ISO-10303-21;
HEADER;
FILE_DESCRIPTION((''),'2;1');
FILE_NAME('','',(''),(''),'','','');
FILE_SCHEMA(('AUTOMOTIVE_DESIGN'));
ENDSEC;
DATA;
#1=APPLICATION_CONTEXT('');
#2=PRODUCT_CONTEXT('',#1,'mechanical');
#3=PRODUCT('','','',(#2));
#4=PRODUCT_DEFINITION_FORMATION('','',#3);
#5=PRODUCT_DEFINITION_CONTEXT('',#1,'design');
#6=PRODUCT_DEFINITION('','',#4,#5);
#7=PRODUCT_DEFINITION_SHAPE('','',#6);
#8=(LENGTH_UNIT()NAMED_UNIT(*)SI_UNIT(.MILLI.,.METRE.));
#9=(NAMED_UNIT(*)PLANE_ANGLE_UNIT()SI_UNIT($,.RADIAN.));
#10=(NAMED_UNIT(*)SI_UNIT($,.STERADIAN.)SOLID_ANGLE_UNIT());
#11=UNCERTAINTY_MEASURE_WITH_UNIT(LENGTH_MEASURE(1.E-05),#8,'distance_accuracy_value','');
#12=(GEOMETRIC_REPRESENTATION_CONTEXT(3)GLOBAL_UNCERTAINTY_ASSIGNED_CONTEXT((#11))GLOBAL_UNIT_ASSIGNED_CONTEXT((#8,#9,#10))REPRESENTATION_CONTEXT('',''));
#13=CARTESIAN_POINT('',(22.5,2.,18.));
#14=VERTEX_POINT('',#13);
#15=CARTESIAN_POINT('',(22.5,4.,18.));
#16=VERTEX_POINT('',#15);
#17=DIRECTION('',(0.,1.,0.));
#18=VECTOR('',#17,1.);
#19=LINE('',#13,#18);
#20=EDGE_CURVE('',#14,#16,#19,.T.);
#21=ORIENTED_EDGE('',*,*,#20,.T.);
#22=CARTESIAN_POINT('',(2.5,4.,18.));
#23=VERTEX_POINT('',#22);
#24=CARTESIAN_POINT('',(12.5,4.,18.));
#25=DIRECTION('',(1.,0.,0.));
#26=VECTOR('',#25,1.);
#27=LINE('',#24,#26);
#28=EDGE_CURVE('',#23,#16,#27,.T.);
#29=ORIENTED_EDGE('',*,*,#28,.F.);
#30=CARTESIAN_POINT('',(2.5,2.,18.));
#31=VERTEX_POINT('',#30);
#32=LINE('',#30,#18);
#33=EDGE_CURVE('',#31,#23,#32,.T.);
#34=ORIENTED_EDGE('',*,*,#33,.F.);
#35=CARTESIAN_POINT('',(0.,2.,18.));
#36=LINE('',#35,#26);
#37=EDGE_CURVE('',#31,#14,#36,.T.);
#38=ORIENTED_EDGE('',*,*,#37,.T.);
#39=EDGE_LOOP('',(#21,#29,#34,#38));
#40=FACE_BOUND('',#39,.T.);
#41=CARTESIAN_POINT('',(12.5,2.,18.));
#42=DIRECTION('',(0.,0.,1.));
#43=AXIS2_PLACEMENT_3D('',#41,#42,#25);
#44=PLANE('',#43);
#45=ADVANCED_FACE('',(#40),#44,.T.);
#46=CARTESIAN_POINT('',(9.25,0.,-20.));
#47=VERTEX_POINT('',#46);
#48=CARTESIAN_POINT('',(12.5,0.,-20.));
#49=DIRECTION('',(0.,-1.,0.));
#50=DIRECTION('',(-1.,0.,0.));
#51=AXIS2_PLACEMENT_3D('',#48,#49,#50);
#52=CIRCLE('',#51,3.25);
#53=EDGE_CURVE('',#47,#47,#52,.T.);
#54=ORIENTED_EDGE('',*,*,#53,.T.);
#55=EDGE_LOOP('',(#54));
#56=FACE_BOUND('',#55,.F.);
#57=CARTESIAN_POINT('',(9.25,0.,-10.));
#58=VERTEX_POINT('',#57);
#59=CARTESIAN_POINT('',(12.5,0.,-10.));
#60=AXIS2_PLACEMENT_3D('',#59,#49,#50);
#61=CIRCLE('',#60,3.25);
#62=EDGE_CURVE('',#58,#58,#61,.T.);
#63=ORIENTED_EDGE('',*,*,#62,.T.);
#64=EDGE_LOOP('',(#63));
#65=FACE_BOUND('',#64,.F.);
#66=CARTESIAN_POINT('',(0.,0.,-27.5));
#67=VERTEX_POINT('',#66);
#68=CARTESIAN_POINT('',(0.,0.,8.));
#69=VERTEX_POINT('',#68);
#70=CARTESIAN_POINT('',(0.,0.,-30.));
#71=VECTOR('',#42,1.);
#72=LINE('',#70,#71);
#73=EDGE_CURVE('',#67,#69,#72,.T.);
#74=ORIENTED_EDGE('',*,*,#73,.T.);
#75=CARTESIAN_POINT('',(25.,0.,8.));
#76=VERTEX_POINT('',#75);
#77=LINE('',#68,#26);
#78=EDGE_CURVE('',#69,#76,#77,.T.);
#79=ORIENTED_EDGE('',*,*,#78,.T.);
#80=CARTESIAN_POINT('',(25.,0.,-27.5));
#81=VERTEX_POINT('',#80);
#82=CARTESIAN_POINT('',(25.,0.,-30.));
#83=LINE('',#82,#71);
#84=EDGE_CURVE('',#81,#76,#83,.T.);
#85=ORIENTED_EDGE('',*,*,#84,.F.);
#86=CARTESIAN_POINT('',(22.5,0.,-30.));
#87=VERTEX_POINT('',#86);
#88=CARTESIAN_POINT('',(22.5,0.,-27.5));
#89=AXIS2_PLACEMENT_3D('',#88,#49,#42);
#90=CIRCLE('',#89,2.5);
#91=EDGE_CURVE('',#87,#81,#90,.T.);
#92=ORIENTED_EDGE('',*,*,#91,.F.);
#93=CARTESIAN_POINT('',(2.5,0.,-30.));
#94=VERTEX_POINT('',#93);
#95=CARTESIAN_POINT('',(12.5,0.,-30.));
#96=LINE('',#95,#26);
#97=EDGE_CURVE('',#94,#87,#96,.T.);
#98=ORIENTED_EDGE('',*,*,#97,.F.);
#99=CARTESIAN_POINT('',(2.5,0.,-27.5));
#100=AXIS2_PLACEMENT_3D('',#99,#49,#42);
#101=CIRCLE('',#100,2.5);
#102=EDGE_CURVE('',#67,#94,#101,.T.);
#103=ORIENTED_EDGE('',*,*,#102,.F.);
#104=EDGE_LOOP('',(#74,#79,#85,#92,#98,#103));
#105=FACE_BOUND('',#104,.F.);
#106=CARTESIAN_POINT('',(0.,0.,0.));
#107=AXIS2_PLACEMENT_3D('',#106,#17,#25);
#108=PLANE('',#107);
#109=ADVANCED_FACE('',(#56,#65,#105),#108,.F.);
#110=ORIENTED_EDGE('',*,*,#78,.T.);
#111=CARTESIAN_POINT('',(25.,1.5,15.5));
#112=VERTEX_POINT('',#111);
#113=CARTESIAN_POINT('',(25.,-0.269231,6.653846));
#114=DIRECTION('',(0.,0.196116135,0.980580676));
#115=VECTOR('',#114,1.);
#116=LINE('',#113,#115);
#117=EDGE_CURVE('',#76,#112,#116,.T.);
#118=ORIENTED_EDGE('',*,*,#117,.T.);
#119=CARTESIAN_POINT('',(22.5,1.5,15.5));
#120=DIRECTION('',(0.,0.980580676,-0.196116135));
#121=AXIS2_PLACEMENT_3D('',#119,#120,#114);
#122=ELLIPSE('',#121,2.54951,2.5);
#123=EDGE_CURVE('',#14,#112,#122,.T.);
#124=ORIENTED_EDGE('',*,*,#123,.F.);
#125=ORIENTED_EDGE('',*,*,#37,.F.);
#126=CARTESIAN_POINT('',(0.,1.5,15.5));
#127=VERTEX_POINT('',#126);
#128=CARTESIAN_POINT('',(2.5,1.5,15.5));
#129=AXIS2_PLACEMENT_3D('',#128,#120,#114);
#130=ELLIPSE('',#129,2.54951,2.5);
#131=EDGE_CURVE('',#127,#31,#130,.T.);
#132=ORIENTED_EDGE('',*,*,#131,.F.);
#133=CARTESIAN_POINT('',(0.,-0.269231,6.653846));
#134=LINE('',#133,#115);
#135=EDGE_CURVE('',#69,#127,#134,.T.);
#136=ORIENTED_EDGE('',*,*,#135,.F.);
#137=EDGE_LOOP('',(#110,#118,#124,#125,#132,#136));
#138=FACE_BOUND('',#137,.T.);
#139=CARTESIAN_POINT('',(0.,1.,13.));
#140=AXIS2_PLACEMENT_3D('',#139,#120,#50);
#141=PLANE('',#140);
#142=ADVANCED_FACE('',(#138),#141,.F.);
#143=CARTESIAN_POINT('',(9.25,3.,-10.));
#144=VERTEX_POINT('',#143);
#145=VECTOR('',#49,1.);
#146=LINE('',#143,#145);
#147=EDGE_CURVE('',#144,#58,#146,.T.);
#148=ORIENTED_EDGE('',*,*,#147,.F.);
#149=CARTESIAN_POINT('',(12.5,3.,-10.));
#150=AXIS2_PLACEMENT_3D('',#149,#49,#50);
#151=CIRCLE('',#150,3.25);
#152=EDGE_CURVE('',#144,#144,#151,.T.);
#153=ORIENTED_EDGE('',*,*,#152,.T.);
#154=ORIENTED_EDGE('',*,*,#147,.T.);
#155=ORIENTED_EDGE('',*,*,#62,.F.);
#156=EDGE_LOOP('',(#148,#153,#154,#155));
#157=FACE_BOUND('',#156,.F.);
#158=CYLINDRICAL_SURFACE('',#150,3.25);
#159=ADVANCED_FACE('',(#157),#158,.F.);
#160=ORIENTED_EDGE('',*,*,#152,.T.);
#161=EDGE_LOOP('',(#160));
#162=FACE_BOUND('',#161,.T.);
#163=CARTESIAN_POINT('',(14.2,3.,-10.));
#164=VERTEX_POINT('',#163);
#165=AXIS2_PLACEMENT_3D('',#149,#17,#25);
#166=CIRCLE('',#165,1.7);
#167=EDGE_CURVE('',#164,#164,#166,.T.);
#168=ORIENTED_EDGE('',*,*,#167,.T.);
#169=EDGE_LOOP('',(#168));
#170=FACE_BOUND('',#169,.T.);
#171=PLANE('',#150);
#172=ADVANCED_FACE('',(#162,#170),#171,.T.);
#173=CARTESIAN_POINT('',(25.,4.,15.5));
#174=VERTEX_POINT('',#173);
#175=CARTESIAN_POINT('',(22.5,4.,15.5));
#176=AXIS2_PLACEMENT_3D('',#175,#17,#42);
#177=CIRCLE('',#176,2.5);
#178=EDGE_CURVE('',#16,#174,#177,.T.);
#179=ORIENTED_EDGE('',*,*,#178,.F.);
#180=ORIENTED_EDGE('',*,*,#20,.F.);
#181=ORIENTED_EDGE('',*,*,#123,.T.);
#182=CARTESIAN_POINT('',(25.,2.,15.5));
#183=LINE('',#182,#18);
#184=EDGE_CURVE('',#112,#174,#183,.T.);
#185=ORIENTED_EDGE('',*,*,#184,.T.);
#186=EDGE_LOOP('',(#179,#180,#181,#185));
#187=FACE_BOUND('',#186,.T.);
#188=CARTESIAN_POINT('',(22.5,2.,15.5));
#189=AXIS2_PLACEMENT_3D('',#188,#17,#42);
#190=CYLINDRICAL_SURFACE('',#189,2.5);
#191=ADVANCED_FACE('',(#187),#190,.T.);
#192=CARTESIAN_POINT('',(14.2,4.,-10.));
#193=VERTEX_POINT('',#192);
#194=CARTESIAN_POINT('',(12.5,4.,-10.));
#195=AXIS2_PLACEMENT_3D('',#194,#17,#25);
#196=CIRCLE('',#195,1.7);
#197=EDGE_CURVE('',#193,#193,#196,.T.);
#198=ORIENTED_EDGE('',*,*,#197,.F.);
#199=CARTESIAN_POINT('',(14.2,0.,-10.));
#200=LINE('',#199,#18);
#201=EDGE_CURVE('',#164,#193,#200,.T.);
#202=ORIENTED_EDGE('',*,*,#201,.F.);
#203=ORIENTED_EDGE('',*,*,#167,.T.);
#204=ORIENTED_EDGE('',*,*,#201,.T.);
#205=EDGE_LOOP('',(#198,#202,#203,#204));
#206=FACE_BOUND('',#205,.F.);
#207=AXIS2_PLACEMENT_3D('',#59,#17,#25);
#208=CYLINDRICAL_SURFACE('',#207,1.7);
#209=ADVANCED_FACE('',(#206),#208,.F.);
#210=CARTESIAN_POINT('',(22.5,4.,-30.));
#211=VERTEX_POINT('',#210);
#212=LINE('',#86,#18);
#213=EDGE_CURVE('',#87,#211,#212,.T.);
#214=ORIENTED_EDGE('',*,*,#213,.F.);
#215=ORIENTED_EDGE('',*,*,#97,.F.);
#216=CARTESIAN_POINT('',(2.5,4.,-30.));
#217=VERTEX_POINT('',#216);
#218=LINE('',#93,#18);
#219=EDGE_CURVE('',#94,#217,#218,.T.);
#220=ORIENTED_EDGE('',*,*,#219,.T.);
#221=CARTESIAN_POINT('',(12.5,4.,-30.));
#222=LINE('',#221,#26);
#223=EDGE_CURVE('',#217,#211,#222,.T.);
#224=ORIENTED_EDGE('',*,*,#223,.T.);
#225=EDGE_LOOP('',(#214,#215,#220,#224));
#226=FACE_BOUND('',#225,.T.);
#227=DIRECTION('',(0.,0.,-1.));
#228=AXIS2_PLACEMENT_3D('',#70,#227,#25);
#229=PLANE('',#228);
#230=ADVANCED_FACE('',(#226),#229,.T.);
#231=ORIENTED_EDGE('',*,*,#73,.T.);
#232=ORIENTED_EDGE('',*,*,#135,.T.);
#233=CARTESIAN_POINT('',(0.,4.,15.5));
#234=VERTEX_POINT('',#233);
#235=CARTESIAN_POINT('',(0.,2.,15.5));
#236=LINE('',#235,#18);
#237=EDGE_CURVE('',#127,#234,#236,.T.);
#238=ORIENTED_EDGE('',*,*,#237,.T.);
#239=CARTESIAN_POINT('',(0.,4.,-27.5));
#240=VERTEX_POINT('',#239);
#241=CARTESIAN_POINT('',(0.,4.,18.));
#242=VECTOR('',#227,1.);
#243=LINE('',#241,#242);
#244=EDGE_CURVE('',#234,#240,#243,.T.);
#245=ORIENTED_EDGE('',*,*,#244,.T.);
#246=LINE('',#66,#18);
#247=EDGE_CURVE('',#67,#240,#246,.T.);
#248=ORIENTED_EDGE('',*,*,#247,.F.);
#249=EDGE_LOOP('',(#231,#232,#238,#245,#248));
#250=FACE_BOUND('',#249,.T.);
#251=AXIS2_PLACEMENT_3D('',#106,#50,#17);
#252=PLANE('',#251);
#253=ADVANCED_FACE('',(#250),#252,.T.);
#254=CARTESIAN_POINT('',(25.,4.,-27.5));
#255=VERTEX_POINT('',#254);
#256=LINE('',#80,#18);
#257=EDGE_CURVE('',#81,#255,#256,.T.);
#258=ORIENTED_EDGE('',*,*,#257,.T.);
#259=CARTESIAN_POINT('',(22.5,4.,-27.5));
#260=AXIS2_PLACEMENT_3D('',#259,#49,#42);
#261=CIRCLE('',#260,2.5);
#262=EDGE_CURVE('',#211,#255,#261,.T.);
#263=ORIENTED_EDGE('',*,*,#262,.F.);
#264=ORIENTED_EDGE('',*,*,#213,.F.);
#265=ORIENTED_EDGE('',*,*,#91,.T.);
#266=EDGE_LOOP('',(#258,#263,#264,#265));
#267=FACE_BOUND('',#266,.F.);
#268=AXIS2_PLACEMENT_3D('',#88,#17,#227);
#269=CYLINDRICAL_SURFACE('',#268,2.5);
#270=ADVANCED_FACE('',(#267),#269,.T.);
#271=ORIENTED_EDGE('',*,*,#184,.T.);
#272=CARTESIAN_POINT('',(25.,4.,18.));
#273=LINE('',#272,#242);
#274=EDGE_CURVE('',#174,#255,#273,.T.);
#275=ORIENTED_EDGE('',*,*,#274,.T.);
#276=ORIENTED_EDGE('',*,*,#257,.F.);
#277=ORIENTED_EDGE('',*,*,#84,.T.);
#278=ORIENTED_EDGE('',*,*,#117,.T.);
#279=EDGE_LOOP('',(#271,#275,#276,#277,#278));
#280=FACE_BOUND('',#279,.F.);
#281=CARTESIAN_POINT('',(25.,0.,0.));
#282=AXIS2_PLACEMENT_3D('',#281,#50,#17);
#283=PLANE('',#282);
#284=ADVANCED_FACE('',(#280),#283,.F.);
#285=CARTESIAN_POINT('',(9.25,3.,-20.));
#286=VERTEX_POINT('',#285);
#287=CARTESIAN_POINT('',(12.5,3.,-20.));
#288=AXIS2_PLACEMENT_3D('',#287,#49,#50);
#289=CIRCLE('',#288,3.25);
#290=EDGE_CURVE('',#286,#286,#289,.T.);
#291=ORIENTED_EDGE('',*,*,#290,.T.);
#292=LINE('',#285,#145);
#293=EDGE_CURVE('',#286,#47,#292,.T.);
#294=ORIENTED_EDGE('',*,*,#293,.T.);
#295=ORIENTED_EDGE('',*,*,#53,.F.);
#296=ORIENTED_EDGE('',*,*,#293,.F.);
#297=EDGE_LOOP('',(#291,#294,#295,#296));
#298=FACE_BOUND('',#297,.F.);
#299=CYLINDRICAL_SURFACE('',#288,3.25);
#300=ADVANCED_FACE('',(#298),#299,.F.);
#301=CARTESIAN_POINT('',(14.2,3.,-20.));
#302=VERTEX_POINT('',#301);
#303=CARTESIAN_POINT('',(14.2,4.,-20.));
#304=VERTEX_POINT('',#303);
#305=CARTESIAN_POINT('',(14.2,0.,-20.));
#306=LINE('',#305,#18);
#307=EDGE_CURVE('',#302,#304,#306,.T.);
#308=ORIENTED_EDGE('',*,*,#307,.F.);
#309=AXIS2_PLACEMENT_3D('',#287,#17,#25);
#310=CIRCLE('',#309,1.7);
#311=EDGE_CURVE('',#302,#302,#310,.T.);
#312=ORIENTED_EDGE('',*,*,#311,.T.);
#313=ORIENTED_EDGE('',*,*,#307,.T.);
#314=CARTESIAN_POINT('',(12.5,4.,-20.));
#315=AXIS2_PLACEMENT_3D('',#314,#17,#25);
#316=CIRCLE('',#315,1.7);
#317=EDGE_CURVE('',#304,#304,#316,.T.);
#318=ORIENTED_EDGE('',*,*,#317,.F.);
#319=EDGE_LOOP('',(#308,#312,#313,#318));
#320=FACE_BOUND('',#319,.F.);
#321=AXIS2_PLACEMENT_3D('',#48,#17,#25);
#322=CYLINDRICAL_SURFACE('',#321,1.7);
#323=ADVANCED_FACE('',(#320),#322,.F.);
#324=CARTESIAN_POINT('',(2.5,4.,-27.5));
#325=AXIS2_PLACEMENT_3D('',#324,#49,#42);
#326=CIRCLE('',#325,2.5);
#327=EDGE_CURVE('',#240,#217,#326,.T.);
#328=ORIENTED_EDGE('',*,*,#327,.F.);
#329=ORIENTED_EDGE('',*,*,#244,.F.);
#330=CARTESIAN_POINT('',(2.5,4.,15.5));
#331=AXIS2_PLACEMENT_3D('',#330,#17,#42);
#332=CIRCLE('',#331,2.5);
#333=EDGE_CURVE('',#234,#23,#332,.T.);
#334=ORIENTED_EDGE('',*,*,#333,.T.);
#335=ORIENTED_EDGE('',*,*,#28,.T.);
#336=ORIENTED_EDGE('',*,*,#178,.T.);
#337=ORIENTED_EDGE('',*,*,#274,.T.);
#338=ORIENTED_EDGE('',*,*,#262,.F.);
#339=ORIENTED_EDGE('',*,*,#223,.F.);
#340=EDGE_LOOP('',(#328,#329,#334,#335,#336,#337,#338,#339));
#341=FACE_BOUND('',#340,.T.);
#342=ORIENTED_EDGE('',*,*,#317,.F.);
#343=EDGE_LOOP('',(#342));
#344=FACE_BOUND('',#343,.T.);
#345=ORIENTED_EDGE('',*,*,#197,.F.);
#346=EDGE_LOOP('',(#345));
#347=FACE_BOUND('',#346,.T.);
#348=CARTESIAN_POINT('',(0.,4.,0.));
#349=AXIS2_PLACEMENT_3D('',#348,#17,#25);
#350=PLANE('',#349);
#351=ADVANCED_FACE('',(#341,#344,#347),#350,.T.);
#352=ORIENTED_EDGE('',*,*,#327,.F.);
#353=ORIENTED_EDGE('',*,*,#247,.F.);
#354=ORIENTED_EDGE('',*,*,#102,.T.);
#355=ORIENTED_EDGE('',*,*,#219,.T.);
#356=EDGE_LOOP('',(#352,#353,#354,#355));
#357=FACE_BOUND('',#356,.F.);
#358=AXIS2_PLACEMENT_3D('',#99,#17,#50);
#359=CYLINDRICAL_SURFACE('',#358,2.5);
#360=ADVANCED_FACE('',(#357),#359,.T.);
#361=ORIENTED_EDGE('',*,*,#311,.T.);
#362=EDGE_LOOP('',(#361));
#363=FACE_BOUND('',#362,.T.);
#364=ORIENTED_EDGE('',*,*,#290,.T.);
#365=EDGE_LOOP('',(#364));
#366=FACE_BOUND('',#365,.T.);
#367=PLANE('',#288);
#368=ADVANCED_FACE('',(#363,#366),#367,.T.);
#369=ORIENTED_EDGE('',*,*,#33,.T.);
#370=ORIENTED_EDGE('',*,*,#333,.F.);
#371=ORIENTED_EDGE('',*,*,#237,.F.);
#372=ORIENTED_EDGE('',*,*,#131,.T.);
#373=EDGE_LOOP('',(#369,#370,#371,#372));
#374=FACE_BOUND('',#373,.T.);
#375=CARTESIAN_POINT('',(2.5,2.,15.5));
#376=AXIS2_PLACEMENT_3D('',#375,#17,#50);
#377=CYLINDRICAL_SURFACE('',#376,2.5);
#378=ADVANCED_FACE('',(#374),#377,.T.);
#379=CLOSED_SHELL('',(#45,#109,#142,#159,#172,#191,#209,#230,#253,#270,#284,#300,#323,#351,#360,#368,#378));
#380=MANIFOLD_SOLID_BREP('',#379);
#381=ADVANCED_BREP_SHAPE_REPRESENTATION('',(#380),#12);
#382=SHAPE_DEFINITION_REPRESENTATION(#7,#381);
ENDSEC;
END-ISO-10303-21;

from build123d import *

# Parameters (mm, degrees)
SKETCH1_W                      = 25
SKETCH1_H                      = 30
BOSS_EXTRUDE1_DEPTH            = 4
CBORE_FOR_M3_SHCS2_D           = 3.4
CBORE_FOR_M3_SHCS2_CBORE_D     = 6.5
CBORE_FOR_M3_SHCS2_CBORE_DEPTH = 3
SKETCH5_W                      = 25
SKETCH5_H                      = 4
BOSS_EXTRUDE2_DEPTH            = 18
CHAMFER1_SIZE                  = 10
CHAMFER1_SIZE2                 = 2
FILLET1_R                      = 2.5


with BuildPart() as part:
    # Sketch1 → Boss-Extrude1 (new body)
    with BuildSketch(Plane(origin=(0, 0, 0), x_dir=(1, 0, 0), z_dir=(0, 1, 0))):
        with Locations((12.5, 15)):
            Rectangle(SKETCH1_W, SKETCH1_H)
    extrude(amount=BOSS_EXTRUDE1_DEPTH)

    # CBORE for M3 SHCS2 (through all)
    with Locations(Plane(origin=(0, 0, 0), x_dir=(-1, 0, 0), z_dir=(0, -1, 0))):
        with Locations((-12.5, 20), (-12.5, 10)):
            CounterBoreHole(CBORE_FOR_M3_SHCS2_D / 2, CBORE_FOR_M3_SHCS2_CBORE_D / 2, CBORE_FOR_M3_SHCS2_CBORE_DEPTH)

    # Sketch5 → Boss-Extrude2 (add)
    with BuildSketch(Plane.XY):
        with Locations((12.5, 2)):
            Rectangle(SKETCH5_W, SKETCH5_H)
    extrude(amount=BOSS_EXTRUDE2_DEPTH)

    # Chamfer1
    chamfer1_edges = [part.edges().sort_by_distance(p)[0] for p in [
        (12.5, 0, 18),
    ]]
    chamfer1_side = [part.faces().sort_by_distance(p)[0] for p in [
        (12.5, 0, -5.473114445),
    ]]
    chamfer(chamfer1_edges, length=CHAMFER1_SIZE, length2=CHAMFER1_SIZE2, reference=chamfer1_side[0])

    # Fillet1
    fillet1_edges = [part.edges().sort_by_distance(p)[0] for p in [
        (0, 3, 18),
        (25, 3, 18),
        (0, 2, -30),
        (25, 2, -30),
    ]]
    fillet(fillet1_edges, radius=FILLET1_R)


solid = part.part
